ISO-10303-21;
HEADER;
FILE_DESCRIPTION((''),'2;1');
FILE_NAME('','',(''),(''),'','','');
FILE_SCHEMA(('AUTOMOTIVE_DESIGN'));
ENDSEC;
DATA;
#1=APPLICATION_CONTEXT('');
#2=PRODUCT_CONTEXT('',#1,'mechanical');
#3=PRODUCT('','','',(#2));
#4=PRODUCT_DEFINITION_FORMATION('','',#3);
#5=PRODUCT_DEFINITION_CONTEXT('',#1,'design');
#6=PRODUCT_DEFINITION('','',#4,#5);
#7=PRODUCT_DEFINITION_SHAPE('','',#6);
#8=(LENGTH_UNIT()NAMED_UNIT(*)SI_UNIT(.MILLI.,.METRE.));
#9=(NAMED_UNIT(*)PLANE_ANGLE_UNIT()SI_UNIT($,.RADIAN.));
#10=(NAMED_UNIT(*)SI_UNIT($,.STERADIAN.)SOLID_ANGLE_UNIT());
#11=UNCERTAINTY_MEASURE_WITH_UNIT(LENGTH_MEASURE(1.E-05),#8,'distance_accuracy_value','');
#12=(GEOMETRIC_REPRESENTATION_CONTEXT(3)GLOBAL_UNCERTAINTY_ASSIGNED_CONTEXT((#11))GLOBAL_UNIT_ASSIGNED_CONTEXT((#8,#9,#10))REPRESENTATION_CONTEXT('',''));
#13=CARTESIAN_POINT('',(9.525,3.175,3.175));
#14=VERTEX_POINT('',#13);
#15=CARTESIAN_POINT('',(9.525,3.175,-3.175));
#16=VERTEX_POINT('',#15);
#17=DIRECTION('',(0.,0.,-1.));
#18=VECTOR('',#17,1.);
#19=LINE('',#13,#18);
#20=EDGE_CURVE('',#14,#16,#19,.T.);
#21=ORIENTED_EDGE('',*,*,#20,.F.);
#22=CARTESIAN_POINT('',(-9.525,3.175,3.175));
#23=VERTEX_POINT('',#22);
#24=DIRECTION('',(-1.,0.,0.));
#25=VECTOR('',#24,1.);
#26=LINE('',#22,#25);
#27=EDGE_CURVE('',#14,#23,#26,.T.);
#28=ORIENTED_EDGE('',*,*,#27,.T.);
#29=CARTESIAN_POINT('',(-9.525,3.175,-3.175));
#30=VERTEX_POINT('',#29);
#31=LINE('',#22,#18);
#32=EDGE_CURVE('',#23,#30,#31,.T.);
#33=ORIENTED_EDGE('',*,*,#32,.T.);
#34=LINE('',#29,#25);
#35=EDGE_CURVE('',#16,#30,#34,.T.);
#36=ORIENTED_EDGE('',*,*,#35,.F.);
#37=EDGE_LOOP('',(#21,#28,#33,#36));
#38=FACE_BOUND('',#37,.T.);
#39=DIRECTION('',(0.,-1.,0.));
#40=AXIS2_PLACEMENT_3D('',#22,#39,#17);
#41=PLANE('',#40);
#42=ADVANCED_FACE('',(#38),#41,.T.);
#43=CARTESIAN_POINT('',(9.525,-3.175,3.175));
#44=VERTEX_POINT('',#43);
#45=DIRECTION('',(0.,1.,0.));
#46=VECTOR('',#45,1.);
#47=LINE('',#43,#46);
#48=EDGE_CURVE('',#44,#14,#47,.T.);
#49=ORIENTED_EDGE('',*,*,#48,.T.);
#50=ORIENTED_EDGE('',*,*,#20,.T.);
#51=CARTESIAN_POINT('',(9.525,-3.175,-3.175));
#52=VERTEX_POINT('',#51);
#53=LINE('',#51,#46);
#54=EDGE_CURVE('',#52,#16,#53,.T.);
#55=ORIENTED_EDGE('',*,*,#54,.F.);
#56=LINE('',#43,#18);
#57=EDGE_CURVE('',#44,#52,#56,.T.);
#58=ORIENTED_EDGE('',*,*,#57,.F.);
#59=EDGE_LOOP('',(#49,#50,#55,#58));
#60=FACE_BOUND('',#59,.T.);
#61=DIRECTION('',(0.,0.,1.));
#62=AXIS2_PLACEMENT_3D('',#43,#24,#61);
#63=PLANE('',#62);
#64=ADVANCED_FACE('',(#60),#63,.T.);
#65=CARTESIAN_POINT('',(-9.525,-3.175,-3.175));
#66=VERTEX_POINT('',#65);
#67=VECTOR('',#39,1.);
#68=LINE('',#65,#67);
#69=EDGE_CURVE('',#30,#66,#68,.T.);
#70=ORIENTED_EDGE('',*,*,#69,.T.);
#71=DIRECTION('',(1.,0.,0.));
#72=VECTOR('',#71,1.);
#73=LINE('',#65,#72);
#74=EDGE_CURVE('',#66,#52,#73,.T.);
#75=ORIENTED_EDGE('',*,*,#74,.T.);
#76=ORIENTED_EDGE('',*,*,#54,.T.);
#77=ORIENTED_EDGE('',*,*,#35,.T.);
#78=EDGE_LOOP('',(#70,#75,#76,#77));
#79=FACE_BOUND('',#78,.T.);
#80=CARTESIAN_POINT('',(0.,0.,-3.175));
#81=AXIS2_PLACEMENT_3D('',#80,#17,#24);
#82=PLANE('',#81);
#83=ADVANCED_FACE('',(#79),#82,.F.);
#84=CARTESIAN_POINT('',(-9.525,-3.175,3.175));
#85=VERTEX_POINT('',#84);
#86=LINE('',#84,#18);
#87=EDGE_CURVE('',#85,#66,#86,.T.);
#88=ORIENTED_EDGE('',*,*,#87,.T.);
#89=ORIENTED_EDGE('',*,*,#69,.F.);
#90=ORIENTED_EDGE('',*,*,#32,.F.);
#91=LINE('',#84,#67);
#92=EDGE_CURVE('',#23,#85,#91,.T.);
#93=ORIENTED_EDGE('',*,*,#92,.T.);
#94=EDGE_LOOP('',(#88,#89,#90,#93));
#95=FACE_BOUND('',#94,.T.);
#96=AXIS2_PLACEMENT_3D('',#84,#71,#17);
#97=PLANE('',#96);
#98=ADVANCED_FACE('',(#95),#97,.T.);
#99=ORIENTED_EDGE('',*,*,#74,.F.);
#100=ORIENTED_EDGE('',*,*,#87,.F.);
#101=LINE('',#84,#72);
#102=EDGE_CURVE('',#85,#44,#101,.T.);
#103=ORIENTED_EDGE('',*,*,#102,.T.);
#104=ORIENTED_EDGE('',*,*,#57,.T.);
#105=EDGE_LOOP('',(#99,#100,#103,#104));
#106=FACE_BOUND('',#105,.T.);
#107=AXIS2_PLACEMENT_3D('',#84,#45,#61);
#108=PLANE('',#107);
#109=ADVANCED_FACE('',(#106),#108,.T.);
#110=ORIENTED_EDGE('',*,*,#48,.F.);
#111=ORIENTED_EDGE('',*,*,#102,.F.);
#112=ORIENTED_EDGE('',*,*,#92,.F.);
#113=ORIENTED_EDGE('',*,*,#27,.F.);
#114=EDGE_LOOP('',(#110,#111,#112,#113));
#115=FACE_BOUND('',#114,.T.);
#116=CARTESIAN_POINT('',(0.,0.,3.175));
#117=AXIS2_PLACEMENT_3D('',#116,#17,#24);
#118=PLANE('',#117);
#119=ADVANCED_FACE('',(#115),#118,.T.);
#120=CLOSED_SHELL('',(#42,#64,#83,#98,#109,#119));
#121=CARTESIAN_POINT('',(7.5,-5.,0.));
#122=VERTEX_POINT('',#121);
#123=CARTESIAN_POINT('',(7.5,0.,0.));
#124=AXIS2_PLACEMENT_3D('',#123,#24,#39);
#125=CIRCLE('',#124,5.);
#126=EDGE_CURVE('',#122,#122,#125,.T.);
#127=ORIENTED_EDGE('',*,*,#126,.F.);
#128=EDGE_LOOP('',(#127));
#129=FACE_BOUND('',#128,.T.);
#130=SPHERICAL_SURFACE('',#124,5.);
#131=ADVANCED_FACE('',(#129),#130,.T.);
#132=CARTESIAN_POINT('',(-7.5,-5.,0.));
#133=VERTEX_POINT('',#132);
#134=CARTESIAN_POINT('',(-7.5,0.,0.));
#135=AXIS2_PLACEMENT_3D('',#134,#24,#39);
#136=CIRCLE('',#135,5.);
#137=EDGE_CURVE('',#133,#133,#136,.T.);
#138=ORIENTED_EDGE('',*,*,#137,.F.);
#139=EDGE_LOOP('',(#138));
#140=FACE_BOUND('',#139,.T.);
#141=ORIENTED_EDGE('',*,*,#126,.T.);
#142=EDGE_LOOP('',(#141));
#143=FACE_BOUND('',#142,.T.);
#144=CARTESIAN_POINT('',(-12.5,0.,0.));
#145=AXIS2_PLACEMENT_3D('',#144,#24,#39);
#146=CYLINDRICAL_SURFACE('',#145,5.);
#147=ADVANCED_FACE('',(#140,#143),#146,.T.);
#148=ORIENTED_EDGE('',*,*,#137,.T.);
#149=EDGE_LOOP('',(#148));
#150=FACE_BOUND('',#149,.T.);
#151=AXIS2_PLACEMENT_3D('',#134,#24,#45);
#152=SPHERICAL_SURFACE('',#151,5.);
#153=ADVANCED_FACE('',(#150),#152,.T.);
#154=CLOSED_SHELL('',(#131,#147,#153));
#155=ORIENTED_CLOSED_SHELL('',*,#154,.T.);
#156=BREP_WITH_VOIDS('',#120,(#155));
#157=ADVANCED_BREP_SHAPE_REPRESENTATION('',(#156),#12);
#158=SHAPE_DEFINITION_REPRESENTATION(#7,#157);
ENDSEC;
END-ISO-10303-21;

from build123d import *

# Parameters (mm, degrees)
SKETCH1_W           = 19.05
SKETCH1_H           = 6.35
BOSS_EXTRUDE1_DEPTH = 3.175


with BuildPart() as part:
    # Sketch1 → Boss-Extrude1 (new, symmetric)
    with BuildSketch(Plane.XY):
        Rectangle(SKETCH1_W, SKETCH1_H)
    extrude(amount=BOSS_EXTRUDE1_DEPTH, both=True)


with BuildPart() as body_2:
    # Sketch2 → Revolve2 (revolve)
    with BuildSketch(Plane.XY, mode=Mode.PRIVATE) as revolve2_sk:
        with BuildLine():
            Line((-12.5, 0), (12.5, 0))
            ThreePointArc((12.5, 0), (11.035533906, 3.535533906), (7.5, 5))
            Line((7.5, 5), (-7.5, 5))
            ThreePointArc((-7.5, 5), (-11.035533906, 3.535533906), (-12.5, 0))
        make_face()
    revolve(revolve2_sk.sketch.rotate(Axis((-12.5, 0, 0), (1, 0, 0)), 180), axis=Axis((-12.5, 0, 0), (1, 0, 0)))

    # Combine1: cut part
    add(part.part, mode=Mode.SUBTRACT)


solid = body_2.part
